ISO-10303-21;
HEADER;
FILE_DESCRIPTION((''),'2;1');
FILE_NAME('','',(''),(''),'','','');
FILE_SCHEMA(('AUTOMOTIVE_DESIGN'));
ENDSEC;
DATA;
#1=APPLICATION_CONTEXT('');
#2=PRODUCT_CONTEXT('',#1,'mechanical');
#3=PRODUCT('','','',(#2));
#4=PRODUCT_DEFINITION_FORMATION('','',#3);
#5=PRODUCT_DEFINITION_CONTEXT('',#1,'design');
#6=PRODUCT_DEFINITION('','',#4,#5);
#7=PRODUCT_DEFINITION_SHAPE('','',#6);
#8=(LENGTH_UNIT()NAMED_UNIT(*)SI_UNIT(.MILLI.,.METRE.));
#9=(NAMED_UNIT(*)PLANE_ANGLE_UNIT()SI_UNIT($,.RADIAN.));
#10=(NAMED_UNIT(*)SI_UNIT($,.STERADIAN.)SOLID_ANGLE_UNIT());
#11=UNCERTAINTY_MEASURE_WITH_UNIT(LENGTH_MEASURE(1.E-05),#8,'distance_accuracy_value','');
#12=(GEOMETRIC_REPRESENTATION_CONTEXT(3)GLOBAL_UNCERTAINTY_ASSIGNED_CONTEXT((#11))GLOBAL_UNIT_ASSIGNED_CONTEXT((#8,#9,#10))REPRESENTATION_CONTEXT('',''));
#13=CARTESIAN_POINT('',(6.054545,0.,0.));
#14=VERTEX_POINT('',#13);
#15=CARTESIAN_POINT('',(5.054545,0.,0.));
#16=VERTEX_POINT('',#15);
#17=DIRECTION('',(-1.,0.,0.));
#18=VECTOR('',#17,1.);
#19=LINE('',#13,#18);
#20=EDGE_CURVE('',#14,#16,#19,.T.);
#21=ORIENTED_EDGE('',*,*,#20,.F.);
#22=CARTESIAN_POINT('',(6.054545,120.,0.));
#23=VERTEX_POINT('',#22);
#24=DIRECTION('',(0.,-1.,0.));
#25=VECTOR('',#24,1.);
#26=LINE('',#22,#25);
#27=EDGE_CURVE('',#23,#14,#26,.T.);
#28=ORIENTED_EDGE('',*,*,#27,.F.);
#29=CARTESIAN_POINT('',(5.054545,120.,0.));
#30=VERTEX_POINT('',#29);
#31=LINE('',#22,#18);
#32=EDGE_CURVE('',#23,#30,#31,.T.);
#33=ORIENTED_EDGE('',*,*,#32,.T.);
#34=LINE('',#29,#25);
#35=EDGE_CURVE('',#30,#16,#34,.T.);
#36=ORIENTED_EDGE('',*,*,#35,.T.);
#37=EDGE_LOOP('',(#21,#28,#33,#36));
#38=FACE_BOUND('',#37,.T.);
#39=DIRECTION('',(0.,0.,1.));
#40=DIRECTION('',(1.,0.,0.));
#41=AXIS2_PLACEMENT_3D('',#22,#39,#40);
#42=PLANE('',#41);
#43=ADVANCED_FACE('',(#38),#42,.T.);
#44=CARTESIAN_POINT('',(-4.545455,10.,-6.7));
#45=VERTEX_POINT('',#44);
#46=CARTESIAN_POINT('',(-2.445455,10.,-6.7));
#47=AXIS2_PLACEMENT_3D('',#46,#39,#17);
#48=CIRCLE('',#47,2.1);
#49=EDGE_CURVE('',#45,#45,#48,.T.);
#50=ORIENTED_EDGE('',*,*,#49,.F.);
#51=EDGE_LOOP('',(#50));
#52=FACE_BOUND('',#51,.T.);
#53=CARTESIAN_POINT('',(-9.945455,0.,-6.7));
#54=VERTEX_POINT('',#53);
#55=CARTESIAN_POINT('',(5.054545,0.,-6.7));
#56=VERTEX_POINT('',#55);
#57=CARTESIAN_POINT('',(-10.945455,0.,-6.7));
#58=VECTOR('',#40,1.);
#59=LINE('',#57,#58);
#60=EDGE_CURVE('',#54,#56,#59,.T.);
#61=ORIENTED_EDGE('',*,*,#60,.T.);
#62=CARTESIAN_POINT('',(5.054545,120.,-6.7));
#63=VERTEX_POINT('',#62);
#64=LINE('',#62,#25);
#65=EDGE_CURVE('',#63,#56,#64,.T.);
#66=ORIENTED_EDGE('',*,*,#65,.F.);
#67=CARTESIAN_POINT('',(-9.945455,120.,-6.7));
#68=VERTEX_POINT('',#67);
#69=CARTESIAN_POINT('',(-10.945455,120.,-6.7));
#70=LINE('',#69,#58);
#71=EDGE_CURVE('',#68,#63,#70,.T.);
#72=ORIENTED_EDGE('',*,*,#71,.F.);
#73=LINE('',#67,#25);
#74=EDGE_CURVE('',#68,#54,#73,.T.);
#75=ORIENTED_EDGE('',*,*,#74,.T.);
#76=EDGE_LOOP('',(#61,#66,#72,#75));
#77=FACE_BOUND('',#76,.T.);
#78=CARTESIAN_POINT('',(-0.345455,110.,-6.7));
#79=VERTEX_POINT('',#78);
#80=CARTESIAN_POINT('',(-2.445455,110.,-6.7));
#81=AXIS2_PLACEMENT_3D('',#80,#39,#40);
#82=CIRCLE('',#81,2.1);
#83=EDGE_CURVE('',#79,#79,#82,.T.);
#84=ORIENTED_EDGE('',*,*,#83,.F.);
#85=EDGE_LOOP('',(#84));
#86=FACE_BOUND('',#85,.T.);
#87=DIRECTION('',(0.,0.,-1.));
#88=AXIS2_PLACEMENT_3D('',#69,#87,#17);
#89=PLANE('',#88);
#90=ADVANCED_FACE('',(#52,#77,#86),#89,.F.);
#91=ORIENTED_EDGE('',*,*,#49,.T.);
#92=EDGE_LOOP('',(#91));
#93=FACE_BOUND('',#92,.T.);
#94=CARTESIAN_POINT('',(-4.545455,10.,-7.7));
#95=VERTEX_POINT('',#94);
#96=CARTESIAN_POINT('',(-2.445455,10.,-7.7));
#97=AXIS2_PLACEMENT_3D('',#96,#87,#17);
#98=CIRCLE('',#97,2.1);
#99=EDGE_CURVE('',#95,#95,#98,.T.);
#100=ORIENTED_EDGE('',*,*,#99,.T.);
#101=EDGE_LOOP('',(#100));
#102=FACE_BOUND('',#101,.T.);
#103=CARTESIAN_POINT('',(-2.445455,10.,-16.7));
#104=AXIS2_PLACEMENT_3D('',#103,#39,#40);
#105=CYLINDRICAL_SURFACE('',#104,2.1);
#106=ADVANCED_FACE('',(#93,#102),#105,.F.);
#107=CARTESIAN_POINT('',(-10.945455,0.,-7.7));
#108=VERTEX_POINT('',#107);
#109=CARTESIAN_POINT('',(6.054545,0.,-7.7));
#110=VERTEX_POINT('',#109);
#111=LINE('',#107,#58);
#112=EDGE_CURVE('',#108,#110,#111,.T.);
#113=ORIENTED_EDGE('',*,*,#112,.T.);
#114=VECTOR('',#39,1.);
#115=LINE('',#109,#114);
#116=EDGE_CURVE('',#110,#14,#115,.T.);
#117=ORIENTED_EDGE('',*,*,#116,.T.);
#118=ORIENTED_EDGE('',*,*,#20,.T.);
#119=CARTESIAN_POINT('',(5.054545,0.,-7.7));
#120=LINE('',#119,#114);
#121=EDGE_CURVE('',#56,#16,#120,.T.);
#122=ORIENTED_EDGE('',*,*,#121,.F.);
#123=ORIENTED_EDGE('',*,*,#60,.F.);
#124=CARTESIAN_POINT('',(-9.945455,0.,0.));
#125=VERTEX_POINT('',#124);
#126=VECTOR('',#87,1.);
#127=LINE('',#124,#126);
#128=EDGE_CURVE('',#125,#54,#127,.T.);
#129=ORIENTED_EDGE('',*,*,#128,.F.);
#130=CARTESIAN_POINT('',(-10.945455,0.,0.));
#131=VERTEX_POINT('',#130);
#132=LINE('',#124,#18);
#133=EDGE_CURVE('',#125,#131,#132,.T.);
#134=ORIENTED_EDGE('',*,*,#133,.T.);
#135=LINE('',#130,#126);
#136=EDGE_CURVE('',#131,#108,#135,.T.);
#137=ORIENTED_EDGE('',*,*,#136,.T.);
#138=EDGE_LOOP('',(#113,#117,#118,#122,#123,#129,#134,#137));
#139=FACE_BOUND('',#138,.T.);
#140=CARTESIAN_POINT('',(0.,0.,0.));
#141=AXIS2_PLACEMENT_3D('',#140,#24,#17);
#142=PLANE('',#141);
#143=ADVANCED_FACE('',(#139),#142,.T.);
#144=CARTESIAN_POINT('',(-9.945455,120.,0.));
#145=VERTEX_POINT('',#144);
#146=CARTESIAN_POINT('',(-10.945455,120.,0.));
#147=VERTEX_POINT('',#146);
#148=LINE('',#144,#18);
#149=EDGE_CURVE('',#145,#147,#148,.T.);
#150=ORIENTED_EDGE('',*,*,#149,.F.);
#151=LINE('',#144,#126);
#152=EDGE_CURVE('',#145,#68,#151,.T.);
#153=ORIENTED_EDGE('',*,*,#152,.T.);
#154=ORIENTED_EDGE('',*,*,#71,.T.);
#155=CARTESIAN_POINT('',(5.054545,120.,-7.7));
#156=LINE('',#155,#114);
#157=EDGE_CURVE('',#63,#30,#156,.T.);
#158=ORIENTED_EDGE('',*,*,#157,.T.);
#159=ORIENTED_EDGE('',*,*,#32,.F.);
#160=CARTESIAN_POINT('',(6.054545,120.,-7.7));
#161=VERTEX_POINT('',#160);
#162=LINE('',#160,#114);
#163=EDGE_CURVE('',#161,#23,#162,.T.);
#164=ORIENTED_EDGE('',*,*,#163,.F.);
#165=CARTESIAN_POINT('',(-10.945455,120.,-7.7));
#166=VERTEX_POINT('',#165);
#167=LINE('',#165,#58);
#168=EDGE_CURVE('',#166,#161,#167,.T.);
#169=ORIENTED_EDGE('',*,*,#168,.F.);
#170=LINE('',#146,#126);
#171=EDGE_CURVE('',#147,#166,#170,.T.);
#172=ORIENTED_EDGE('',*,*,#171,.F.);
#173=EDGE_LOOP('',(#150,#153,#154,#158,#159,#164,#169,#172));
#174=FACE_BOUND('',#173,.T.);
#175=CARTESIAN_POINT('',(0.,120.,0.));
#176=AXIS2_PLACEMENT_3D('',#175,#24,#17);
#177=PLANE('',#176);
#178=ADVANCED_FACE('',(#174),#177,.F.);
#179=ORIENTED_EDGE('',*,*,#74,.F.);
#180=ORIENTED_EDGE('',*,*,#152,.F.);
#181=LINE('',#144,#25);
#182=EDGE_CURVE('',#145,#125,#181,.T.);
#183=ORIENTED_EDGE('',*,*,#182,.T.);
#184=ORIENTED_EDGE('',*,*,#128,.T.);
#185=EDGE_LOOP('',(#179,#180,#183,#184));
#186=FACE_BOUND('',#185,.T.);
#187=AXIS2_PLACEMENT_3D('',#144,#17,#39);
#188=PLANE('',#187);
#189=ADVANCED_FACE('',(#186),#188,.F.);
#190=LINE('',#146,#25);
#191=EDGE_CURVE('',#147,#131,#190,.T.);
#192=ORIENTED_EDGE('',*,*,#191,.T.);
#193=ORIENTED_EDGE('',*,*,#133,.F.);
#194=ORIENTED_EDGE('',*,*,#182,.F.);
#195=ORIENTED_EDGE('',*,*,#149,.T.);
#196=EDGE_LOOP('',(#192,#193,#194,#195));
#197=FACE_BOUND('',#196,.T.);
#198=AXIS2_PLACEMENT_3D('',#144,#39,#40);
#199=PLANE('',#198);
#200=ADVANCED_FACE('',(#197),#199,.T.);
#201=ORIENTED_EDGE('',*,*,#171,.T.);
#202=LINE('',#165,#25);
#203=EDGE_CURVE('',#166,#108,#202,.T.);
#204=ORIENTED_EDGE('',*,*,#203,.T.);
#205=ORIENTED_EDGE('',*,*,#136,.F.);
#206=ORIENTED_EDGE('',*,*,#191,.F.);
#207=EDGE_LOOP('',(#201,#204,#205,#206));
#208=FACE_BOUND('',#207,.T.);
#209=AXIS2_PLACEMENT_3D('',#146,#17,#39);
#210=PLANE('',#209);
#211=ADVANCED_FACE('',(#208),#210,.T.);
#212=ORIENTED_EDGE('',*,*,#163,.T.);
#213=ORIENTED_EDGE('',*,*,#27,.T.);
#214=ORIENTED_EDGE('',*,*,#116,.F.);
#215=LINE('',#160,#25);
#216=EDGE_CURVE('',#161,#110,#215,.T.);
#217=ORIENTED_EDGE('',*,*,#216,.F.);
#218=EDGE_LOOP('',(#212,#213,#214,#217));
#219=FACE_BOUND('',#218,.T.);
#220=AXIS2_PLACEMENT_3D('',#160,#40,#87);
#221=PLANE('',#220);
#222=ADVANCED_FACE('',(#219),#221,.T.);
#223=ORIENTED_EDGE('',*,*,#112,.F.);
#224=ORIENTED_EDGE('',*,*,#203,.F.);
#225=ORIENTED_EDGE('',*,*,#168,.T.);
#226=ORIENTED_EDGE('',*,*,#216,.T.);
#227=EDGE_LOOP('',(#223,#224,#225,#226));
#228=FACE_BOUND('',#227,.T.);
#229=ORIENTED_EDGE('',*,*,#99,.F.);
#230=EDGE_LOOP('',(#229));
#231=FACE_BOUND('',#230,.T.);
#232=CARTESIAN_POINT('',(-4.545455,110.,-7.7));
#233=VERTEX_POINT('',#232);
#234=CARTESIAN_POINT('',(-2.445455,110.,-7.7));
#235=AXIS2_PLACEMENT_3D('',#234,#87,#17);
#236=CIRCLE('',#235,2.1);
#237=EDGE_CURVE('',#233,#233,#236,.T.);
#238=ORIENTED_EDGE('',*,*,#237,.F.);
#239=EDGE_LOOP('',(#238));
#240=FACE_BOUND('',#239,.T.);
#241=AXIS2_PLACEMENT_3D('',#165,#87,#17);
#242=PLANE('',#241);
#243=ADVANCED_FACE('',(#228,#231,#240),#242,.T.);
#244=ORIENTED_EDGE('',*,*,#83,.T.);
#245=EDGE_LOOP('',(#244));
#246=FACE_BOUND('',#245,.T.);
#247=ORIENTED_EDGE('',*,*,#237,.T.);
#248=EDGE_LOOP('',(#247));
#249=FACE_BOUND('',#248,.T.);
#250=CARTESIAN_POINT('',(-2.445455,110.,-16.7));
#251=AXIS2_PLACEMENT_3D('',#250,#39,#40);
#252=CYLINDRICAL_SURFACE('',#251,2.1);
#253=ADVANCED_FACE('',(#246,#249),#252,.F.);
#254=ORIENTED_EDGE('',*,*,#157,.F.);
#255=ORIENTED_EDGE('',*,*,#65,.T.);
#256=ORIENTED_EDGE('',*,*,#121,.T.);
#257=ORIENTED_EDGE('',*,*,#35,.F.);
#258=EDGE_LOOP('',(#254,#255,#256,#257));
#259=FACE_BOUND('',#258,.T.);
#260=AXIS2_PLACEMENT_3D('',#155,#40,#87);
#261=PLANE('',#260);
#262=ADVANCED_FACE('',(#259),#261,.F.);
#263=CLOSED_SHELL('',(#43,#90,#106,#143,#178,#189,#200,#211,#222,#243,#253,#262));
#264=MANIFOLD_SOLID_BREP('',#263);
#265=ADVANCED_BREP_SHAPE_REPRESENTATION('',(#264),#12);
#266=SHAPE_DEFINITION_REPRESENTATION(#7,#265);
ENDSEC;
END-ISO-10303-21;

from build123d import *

# Parameters (mm, degrees)
EXTRUDE_THIN1_DEPTH = 120
SKETCH2_R           = 2.1
CUT_EXTRUDE1_DEPTH  = 10


with BuildPart() as part:
    # Sketch1 → Extrude-Thin1 (new body)
    with BuildSketch(Plane(origin=(0, 0, 0), x_dir=(1, 0, 0), z_dir=(0, 1, 0))):
        Polygon((-10.945454545, 0), (-10.945454545, 7.7), (6.054545455, 7.7), (6.054545455, 0), (5.054545455, 0), (5.054545455, 6.7), (-9.945454545, 6.7), (-9.945454545, 0), align=None)
    extrude(amount=EXTRUDE_THIN1_DEPTH)

    # Sketch2 → Cut-Extrude1 (cut)
    with BuildSketch(Plane.XY.offset(-6.7)):
        with Locations((-2.445454545, 110)):
            Circle(SKETCH2_R)
        with Locations(Location((-2.445454545, 10, 0), (0, 0, 180))):
            Circle(SKETCH2_R)
    extrude(amount=-CUT_EXTRUDE1_DEPTH, mode=Mode.SUBTRACT)


solid = part.part
